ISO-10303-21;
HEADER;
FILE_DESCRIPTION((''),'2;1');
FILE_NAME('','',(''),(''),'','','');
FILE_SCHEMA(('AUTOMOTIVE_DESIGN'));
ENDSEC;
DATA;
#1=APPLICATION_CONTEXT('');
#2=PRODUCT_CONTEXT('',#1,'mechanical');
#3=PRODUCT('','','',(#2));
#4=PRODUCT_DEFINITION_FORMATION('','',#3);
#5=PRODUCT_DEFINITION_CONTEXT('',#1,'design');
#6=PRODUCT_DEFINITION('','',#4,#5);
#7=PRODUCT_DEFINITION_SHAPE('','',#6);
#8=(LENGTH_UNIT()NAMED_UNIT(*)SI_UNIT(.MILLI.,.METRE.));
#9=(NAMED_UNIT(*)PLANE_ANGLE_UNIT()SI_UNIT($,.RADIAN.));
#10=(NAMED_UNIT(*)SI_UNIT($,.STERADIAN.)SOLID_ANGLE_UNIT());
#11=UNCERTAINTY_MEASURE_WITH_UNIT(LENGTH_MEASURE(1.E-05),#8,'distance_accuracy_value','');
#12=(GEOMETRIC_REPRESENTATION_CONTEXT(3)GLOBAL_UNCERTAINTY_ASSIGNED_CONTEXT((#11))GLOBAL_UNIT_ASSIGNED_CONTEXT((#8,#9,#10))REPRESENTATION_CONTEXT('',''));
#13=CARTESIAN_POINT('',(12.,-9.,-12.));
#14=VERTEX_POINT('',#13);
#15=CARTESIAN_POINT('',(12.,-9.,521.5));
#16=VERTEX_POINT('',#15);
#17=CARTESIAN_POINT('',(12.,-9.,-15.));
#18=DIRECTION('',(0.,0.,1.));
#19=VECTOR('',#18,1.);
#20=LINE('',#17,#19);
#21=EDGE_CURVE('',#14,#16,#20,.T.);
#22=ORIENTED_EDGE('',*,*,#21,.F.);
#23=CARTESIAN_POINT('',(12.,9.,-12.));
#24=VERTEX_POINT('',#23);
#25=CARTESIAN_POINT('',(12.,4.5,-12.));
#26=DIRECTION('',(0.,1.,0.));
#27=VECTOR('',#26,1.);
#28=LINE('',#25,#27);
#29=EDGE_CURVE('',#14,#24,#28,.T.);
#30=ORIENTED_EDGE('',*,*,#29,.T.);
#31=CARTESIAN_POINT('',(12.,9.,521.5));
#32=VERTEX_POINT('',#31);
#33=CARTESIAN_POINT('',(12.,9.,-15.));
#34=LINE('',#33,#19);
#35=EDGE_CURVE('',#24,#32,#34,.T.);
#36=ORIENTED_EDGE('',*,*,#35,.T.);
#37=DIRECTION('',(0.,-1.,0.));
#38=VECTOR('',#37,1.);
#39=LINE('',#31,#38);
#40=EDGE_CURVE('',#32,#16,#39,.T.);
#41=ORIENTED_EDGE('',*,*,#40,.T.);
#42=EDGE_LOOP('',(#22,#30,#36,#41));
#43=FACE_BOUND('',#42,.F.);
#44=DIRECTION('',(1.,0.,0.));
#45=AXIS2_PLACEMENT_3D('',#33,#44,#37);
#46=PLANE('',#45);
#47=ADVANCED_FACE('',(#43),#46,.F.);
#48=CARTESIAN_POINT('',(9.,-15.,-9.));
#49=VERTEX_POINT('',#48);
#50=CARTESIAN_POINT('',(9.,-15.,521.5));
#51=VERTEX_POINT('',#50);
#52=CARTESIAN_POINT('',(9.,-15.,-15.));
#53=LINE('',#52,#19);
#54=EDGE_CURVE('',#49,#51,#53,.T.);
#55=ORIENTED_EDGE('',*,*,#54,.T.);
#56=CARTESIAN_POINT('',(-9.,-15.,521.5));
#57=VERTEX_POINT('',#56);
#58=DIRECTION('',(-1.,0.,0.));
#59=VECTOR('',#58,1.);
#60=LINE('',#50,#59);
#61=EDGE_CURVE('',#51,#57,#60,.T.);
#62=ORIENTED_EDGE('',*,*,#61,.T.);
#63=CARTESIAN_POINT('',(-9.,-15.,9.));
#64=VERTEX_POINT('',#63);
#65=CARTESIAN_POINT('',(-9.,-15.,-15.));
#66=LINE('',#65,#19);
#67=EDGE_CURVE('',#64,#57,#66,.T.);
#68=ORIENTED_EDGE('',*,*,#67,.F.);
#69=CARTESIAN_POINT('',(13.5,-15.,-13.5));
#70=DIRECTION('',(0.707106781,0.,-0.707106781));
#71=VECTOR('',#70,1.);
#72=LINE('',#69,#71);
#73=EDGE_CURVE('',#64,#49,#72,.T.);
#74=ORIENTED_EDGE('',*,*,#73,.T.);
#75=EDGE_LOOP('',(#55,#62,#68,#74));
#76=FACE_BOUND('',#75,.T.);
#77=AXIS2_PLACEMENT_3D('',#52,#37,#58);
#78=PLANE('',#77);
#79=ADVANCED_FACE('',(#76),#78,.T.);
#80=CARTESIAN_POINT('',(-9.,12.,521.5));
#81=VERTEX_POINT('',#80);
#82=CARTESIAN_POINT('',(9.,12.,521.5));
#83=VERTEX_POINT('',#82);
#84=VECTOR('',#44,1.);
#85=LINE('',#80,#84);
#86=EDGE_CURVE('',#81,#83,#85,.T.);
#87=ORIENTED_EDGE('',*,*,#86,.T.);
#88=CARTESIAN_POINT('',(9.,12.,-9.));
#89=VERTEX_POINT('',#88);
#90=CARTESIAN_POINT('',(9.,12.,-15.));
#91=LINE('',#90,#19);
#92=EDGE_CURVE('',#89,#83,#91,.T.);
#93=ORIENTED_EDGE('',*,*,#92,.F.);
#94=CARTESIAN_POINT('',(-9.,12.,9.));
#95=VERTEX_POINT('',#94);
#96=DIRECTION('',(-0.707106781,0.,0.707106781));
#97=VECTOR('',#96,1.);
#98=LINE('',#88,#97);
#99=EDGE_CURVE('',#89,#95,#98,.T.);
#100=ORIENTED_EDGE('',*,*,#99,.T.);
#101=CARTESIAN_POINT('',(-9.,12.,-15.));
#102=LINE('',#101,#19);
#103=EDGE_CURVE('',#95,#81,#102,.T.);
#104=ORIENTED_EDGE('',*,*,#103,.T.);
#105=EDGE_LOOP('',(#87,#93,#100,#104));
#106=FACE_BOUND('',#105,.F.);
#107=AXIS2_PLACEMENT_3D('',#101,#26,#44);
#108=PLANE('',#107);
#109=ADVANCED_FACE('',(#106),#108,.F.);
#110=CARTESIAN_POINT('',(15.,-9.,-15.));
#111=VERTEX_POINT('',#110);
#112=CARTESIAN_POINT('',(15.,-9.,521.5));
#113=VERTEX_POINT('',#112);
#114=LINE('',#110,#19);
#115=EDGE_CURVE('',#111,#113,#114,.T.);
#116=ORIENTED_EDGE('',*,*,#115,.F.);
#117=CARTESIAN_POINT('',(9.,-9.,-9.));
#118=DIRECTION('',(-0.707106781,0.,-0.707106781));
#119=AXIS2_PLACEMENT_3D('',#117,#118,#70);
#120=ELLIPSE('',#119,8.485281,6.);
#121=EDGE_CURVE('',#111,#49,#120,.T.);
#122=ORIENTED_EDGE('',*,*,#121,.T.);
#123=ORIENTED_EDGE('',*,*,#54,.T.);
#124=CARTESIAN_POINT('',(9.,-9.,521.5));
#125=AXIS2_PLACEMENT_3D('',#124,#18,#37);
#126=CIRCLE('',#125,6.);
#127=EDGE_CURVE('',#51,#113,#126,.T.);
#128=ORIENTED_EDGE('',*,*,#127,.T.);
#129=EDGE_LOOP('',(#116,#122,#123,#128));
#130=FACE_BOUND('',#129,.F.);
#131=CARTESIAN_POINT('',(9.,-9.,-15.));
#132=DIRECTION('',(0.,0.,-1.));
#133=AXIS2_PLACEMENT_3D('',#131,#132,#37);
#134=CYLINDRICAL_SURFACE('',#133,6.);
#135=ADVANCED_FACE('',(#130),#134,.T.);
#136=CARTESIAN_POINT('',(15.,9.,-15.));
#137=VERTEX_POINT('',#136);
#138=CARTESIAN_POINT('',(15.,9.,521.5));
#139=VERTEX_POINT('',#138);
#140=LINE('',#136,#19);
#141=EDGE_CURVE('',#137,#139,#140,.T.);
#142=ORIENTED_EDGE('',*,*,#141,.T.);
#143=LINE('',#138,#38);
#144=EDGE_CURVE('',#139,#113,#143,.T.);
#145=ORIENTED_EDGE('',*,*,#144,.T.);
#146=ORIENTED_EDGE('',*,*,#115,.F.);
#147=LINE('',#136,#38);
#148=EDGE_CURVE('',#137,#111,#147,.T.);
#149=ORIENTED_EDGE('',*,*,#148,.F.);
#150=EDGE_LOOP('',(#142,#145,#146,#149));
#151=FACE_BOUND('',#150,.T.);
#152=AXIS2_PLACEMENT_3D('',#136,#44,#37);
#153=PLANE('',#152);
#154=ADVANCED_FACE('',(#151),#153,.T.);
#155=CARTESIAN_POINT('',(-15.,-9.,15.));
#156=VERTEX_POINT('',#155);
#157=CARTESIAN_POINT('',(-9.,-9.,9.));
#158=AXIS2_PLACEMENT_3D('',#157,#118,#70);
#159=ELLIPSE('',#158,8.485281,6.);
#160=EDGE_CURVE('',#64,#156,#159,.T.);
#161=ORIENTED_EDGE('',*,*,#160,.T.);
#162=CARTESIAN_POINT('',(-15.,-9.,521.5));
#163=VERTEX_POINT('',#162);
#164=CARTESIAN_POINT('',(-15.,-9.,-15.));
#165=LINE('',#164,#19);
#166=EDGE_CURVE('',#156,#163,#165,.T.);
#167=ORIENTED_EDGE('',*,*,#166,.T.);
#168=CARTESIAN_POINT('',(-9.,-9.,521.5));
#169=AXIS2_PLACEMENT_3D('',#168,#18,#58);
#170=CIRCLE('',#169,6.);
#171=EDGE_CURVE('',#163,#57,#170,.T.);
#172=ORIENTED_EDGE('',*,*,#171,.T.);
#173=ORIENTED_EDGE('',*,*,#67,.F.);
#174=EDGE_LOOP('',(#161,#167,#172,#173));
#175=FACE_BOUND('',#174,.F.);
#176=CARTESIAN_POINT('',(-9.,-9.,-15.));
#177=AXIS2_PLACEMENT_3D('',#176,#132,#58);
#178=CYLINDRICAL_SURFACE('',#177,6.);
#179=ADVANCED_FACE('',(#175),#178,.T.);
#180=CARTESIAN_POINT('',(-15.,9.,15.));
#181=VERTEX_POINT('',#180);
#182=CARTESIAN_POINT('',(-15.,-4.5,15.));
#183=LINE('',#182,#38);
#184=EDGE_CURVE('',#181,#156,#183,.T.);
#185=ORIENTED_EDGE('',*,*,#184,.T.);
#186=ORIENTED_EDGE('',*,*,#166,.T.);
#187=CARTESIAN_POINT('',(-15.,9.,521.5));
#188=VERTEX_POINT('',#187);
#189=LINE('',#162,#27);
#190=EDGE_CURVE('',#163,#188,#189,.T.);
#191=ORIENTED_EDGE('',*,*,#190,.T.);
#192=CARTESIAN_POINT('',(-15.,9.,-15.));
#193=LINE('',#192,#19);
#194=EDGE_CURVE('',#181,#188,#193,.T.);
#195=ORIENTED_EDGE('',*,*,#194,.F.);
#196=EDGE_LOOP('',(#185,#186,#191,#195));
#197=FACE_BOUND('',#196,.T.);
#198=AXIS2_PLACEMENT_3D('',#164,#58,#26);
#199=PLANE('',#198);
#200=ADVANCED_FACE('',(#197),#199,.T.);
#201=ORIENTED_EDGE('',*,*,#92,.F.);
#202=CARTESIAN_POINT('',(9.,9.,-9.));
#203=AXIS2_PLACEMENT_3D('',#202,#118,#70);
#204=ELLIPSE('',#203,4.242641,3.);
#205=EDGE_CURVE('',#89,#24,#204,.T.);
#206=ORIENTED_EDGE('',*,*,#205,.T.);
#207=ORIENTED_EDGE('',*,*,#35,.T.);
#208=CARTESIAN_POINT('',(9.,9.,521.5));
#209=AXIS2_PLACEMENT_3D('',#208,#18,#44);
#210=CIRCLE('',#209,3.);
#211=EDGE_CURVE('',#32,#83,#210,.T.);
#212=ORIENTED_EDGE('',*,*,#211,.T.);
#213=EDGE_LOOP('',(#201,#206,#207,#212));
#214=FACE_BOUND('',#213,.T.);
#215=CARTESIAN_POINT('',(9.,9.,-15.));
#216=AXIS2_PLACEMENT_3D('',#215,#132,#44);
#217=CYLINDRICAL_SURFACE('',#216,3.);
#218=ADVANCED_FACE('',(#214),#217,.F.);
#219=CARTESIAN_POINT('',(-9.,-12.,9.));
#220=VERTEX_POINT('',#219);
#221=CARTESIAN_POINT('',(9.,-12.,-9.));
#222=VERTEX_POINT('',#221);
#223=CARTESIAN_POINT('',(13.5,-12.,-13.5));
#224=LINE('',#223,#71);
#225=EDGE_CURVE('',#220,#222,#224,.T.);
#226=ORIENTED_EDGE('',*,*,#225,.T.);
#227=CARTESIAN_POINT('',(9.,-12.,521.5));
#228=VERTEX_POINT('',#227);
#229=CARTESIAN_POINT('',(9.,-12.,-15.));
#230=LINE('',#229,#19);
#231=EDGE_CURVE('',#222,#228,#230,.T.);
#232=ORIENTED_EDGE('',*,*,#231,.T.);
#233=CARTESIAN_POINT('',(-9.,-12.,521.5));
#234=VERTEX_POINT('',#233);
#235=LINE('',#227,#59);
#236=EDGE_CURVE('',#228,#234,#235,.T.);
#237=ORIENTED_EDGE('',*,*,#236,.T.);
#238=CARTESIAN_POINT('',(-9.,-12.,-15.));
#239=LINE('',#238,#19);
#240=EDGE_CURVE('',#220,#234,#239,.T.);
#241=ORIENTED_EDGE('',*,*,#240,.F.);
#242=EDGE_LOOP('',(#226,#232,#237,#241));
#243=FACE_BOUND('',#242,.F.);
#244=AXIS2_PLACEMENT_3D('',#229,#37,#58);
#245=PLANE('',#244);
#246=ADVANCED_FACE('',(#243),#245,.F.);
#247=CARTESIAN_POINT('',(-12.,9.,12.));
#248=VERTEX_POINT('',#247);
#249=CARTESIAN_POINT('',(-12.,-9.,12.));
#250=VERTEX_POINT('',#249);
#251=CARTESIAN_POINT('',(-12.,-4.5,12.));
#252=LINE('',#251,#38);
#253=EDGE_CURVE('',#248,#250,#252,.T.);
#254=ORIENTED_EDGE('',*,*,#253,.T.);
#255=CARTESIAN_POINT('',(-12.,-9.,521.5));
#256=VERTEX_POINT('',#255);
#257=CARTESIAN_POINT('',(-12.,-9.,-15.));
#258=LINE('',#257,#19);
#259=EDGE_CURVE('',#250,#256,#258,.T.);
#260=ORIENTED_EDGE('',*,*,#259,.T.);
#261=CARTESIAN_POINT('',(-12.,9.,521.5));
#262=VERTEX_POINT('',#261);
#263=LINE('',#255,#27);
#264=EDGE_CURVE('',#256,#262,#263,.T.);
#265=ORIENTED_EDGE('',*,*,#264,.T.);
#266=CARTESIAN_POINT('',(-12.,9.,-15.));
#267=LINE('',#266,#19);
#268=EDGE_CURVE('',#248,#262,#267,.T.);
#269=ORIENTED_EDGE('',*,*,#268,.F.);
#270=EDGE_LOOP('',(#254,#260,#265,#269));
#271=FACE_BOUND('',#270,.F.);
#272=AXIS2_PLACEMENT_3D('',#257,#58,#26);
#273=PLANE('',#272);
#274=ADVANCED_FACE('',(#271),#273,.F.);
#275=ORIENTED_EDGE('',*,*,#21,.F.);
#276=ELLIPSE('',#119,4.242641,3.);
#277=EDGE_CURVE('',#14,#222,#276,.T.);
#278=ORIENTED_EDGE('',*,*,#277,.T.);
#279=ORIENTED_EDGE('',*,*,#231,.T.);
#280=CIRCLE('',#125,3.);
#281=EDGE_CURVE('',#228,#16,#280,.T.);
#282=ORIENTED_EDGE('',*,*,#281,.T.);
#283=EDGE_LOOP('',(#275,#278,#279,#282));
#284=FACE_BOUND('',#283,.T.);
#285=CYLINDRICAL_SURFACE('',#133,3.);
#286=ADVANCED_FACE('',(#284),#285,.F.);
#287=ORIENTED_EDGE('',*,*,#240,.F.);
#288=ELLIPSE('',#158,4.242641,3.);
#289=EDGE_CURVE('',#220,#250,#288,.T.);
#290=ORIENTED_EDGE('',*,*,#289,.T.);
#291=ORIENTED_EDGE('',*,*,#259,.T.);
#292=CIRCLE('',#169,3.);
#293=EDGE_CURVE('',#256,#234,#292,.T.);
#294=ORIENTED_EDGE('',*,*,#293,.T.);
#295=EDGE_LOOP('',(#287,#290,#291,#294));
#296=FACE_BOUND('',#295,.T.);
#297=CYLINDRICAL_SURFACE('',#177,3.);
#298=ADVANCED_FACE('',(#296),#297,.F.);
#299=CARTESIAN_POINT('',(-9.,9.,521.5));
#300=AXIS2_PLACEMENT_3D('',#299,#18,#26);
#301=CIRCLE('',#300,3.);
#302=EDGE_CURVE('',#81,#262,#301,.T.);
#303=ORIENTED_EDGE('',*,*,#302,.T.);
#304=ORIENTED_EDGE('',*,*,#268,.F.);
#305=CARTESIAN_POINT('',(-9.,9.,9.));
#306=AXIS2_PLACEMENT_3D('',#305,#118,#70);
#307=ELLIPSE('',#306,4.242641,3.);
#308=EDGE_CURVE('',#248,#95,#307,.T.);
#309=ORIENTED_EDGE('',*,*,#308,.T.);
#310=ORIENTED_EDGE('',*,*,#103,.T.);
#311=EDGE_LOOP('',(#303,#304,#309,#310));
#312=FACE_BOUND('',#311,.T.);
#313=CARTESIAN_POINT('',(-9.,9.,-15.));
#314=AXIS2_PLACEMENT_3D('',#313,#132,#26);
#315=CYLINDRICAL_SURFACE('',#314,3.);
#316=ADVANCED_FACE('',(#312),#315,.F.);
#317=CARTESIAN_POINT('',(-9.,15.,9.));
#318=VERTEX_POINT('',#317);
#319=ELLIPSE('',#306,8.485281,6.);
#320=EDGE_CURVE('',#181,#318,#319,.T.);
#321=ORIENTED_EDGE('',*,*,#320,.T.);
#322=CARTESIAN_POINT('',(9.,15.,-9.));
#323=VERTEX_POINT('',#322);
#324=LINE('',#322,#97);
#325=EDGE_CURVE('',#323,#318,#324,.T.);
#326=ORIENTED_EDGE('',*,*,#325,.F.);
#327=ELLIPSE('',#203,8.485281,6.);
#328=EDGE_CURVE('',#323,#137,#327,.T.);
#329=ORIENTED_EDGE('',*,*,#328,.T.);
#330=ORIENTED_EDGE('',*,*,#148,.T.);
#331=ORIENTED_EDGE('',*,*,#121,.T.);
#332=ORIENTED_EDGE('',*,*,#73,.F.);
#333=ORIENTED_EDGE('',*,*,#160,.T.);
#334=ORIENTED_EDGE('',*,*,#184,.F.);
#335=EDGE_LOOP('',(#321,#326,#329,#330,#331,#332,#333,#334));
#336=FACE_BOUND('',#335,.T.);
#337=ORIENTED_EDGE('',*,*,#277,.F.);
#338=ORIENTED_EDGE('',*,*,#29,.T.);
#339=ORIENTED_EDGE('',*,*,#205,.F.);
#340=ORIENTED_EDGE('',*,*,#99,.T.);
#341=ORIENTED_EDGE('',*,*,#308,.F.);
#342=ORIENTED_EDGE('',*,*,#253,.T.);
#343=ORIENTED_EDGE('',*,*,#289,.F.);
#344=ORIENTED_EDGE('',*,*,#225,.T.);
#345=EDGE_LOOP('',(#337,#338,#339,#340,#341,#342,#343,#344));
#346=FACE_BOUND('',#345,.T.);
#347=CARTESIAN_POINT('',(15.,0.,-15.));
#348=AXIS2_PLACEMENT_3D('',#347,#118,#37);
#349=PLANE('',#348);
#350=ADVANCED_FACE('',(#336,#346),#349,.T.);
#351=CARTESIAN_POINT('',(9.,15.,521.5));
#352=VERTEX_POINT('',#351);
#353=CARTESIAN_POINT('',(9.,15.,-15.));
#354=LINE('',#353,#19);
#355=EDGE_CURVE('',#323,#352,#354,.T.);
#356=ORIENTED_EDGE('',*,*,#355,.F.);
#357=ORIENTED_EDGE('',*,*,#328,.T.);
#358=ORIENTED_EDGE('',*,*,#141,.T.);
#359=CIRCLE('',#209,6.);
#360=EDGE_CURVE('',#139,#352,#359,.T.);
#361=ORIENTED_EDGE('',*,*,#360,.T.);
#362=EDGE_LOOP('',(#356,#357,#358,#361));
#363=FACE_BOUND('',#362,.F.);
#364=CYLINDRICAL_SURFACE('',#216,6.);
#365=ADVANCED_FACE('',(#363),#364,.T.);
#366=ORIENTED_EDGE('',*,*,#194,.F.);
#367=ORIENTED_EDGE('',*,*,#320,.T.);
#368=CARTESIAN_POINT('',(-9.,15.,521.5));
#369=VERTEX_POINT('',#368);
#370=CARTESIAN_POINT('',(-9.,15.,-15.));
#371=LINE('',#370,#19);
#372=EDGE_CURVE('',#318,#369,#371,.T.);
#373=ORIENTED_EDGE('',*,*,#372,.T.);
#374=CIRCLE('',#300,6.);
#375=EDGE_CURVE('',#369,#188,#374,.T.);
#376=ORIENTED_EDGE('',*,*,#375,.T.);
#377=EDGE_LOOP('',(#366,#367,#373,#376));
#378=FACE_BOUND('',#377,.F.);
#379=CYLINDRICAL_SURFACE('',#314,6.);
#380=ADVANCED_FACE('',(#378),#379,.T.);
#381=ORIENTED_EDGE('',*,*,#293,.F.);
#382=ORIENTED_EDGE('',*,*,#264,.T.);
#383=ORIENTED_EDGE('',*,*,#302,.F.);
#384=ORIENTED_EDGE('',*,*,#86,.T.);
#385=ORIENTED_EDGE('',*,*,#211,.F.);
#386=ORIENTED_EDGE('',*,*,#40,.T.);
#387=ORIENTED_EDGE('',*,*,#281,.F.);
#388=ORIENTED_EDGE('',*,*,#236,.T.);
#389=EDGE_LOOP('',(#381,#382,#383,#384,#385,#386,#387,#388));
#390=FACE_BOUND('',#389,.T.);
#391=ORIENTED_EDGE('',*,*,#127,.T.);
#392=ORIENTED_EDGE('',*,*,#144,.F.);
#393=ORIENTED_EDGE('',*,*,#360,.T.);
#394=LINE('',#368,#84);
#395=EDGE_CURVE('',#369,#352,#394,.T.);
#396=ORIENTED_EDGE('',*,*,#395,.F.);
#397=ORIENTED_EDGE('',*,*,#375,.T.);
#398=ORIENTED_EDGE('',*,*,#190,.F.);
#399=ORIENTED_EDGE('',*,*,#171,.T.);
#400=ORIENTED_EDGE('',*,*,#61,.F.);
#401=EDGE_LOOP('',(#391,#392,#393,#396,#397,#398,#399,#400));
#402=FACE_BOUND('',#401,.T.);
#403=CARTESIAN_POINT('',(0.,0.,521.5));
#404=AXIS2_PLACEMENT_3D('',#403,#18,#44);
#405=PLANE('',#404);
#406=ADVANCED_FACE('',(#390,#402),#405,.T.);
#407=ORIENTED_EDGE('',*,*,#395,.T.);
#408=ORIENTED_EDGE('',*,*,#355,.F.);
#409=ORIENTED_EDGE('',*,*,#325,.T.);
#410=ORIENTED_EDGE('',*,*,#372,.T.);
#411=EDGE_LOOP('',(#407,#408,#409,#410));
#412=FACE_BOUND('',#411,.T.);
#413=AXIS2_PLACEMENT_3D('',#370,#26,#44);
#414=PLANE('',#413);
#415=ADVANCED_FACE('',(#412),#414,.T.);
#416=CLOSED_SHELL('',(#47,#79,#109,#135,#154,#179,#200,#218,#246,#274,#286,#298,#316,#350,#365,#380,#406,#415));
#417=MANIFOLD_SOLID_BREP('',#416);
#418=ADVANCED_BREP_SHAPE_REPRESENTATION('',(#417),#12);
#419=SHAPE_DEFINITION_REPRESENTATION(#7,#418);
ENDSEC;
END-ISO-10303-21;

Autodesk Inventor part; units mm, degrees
ref_plane "Start Plane" through (0, 0, -15) normal (0, 0, 1) x (1, 0, 0)
ref_plane "End Plane" through (0, 0, 521.5) normal (0, 0, 1) x (1, 0, 0)
sketch "Sketch" plane through (0, 0, 0) normal (0, 0, 1) x (1, 0, 0)
  line L0 (-15, -9) -> (-15, 9)
  line L1 (-9, 15) -> (9, 15)
  line L2 (15, 9) -> (15, -9)
  line L3 (9, -15) -> (-9, -15)
  arc A0 (-15, -9) -> (-9, -15) centre (-9, -9) ccw
  arc A1 (-9, 15) -> (-15, 9) centre (-9, 9) ccw
  arc A2 (15, 9) -> (9, 15) centre (9, 9) ccw
  arc A3 (9, -15) -> (15, -9) centre (9, -9) ccw
  arc A4 (-9, 12) -> (-12, 9) centre (-9, 9) ccw
  line L4 (-9, 12) -> (9, 12)
  arc A5 (12, 9) -> (9, 12) centre (9, 9) ccw
  line L5 (12, 9) -> (12, -9)
  arc A6 (9, -12) -> (12, -9) centre (9, -9) ccw
  line L6 (9, -12) -> (-9, -12)
  arc A7 (-12, -9) -> (-9, -12) centre (-9, -9) ccw
  line L7 (-12, -9) -> (-12, 9)
  line L8 (0, 22.7397) -> (0, -22.7397) construction
  line L9 (-22.7397, 0) -> (22.7397, 0) construction
  dimension "d7" = 6
  dimension "d10" = 30
  dimension "d11" = 30
  dimension "d12" = 3
  dimension "d15" = 15
  dimension "d16" = 15
extrude "Body" add sketch "Sketch" along normal up to surface (536.5 mm away) from surface at -15
sketch "Sketch3" plane through (0, 0, 0) normal (0, 0, 1) x (1, 0, 0)
  line L0 (0, 0) -> (10, 0)
ref_plane "Work Plane3" through (0, 0, 0) normal (0, -1, 0) x (1, 0, 0)
ref_plane "Work Plane5" through (15, 0, -15) normal (-0.7071, 0, -0.7071) x (-0.7071, 0, 0.7071)
split "Split2" plane through (15, 0, -15) removes the side toward (-0.7071, 0, -0.7071)
sketch "Sketch4" plane through (0, 0, 0) normal (0, -1, 0) x (1, 0, 0)
  line L0 (-2, -15) -> (12, -15) projected
  line L1 (-2, 521.5) -> (12, 521.5) projected
  dimension "d18" = 536.5
equation "\"d7\" = G_IR"
equation "\"d10\" = G_H"
equation "\"d11\" = G_W"
equation "\"d12\" = G_T"
equation "\"d15\" = 0.5 * d10"
equation "\"d16\" = 0.5 * d11"
equation "\"d3\" = G_L"
equation "\"G_W\" = 30"
equation "\"G_H\" = 30"
equation "\"G_T\" = 3"
equation "\"G_IR\" = 6"
equation "\"G_L\" = d18"
equation "\"G_OFFSET_START\" = 15"
equation "\"G_OFFSET_END\" = 0"
equation "\"d13\" = -G_OFFSET_START"
equation "\"d14\" = G_OFFSET_END + B_L"
equation "\"B_L\" = 521.5"
properties part number "DIN EN 10219-2 - 30 x 30 x 3  - 536.5" material "Steel, Mild"
